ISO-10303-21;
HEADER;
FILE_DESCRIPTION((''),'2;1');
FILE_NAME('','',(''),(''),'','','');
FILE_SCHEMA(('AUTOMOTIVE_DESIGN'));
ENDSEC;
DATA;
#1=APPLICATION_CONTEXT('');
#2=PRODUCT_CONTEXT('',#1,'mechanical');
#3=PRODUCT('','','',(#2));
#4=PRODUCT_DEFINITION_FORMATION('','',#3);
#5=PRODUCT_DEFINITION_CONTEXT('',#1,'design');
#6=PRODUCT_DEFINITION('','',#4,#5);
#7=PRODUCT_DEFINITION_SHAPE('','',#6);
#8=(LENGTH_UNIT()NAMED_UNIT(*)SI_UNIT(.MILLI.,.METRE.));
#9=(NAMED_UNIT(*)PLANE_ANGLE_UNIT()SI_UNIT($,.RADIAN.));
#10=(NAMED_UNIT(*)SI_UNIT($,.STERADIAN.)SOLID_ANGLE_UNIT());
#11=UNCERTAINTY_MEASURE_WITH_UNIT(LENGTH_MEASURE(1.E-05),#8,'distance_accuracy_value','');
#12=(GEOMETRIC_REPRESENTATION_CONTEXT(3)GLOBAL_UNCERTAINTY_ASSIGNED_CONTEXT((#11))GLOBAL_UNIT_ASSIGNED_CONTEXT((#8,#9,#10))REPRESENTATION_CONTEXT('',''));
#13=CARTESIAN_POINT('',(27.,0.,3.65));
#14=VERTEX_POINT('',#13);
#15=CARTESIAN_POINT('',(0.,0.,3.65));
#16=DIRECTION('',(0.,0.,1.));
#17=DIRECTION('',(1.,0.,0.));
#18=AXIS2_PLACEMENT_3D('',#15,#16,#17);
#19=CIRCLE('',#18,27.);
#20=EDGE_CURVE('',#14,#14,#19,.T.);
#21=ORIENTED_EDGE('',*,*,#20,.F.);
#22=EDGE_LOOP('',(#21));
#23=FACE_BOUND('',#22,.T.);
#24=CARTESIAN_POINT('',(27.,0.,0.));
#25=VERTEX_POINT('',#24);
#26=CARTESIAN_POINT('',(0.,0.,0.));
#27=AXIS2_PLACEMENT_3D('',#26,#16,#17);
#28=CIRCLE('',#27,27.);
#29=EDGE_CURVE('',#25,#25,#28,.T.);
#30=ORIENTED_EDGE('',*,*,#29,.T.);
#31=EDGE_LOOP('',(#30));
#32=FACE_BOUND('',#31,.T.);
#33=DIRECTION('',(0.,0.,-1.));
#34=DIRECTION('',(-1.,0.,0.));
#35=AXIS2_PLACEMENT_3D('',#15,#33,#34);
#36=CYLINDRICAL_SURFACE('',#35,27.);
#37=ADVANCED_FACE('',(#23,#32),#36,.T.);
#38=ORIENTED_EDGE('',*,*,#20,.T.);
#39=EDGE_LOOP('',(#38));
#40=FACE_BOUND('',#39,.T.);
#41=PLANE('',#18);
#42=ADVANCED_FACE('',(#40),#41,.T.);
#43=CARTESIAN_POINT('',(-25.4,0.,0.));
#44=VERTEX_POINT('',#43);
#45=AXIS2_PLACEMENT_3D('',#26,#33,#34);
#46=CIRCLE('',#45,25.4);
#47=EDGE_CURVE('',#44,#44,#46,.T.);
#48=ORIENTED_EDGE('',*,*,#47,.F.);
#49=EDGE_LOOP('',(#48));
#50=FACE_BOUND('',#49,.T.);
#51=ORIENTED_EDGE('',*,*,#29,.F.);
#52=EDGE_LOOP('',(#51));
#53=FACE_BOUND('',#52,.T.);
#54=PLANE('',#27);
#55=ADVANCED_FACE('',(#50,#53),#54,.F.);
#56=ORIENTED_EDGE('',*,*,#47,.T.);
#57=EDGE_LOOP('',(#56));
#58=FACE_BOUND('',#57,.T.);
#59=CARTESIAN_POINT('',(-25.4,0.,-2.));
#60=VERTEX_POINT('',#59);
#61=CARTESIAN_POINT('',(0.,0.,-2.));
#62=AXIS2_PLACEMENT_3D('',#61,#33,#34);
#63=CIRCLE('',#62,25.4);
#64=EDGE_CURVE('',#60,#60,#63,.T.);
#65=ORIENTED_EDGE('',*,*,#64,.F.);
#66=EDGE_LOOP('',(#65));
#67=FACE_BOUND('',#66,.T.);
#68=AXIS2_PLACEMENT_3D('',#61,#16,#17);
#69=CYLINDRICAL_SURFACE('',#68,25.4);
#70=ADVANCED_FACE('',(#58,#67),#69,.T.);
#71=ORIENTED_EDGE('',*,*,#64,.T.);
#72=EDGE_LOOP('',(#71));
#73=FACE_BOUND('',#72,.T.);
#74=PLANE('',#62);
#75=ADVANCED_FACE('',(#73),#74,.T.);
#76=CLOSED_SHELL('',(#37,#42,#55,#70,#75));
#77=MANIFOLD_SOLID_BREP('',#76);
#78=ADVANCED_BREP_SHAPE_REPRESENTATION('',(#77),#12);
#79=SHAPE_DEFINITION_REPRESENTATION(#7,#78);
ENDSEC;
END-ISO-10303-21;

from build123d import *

# Parameters (mm, degrees)
SKETCH1_R           = 27
BOSS_EXTRUDE1_DEPTH = 3.65
SKETCH3_R           = 25.4
BOSS_EXTRUDE3_DEPTH = 2


with BuildPart() as part:
    # Sketch1 → Boss-Extrude1 (new body)
    with BuildSketch(Plane.XY):
        Circle(SKETCH1_R)
    extrude(amount=BOSS_EXTRUDE1_DEPTH)

    # Sketch3 → Boss-Extrude3 (add)
    with BuildSketch(Plane(origin=(0, 0, 0), x_dir=(-1, 0, 0), z_dir=(0, 0, -1))):
        Circle(SKETCH3_R)
    extrude(amount=BOSS_EXTRUDE3_DEPTH)


solid = part.part
